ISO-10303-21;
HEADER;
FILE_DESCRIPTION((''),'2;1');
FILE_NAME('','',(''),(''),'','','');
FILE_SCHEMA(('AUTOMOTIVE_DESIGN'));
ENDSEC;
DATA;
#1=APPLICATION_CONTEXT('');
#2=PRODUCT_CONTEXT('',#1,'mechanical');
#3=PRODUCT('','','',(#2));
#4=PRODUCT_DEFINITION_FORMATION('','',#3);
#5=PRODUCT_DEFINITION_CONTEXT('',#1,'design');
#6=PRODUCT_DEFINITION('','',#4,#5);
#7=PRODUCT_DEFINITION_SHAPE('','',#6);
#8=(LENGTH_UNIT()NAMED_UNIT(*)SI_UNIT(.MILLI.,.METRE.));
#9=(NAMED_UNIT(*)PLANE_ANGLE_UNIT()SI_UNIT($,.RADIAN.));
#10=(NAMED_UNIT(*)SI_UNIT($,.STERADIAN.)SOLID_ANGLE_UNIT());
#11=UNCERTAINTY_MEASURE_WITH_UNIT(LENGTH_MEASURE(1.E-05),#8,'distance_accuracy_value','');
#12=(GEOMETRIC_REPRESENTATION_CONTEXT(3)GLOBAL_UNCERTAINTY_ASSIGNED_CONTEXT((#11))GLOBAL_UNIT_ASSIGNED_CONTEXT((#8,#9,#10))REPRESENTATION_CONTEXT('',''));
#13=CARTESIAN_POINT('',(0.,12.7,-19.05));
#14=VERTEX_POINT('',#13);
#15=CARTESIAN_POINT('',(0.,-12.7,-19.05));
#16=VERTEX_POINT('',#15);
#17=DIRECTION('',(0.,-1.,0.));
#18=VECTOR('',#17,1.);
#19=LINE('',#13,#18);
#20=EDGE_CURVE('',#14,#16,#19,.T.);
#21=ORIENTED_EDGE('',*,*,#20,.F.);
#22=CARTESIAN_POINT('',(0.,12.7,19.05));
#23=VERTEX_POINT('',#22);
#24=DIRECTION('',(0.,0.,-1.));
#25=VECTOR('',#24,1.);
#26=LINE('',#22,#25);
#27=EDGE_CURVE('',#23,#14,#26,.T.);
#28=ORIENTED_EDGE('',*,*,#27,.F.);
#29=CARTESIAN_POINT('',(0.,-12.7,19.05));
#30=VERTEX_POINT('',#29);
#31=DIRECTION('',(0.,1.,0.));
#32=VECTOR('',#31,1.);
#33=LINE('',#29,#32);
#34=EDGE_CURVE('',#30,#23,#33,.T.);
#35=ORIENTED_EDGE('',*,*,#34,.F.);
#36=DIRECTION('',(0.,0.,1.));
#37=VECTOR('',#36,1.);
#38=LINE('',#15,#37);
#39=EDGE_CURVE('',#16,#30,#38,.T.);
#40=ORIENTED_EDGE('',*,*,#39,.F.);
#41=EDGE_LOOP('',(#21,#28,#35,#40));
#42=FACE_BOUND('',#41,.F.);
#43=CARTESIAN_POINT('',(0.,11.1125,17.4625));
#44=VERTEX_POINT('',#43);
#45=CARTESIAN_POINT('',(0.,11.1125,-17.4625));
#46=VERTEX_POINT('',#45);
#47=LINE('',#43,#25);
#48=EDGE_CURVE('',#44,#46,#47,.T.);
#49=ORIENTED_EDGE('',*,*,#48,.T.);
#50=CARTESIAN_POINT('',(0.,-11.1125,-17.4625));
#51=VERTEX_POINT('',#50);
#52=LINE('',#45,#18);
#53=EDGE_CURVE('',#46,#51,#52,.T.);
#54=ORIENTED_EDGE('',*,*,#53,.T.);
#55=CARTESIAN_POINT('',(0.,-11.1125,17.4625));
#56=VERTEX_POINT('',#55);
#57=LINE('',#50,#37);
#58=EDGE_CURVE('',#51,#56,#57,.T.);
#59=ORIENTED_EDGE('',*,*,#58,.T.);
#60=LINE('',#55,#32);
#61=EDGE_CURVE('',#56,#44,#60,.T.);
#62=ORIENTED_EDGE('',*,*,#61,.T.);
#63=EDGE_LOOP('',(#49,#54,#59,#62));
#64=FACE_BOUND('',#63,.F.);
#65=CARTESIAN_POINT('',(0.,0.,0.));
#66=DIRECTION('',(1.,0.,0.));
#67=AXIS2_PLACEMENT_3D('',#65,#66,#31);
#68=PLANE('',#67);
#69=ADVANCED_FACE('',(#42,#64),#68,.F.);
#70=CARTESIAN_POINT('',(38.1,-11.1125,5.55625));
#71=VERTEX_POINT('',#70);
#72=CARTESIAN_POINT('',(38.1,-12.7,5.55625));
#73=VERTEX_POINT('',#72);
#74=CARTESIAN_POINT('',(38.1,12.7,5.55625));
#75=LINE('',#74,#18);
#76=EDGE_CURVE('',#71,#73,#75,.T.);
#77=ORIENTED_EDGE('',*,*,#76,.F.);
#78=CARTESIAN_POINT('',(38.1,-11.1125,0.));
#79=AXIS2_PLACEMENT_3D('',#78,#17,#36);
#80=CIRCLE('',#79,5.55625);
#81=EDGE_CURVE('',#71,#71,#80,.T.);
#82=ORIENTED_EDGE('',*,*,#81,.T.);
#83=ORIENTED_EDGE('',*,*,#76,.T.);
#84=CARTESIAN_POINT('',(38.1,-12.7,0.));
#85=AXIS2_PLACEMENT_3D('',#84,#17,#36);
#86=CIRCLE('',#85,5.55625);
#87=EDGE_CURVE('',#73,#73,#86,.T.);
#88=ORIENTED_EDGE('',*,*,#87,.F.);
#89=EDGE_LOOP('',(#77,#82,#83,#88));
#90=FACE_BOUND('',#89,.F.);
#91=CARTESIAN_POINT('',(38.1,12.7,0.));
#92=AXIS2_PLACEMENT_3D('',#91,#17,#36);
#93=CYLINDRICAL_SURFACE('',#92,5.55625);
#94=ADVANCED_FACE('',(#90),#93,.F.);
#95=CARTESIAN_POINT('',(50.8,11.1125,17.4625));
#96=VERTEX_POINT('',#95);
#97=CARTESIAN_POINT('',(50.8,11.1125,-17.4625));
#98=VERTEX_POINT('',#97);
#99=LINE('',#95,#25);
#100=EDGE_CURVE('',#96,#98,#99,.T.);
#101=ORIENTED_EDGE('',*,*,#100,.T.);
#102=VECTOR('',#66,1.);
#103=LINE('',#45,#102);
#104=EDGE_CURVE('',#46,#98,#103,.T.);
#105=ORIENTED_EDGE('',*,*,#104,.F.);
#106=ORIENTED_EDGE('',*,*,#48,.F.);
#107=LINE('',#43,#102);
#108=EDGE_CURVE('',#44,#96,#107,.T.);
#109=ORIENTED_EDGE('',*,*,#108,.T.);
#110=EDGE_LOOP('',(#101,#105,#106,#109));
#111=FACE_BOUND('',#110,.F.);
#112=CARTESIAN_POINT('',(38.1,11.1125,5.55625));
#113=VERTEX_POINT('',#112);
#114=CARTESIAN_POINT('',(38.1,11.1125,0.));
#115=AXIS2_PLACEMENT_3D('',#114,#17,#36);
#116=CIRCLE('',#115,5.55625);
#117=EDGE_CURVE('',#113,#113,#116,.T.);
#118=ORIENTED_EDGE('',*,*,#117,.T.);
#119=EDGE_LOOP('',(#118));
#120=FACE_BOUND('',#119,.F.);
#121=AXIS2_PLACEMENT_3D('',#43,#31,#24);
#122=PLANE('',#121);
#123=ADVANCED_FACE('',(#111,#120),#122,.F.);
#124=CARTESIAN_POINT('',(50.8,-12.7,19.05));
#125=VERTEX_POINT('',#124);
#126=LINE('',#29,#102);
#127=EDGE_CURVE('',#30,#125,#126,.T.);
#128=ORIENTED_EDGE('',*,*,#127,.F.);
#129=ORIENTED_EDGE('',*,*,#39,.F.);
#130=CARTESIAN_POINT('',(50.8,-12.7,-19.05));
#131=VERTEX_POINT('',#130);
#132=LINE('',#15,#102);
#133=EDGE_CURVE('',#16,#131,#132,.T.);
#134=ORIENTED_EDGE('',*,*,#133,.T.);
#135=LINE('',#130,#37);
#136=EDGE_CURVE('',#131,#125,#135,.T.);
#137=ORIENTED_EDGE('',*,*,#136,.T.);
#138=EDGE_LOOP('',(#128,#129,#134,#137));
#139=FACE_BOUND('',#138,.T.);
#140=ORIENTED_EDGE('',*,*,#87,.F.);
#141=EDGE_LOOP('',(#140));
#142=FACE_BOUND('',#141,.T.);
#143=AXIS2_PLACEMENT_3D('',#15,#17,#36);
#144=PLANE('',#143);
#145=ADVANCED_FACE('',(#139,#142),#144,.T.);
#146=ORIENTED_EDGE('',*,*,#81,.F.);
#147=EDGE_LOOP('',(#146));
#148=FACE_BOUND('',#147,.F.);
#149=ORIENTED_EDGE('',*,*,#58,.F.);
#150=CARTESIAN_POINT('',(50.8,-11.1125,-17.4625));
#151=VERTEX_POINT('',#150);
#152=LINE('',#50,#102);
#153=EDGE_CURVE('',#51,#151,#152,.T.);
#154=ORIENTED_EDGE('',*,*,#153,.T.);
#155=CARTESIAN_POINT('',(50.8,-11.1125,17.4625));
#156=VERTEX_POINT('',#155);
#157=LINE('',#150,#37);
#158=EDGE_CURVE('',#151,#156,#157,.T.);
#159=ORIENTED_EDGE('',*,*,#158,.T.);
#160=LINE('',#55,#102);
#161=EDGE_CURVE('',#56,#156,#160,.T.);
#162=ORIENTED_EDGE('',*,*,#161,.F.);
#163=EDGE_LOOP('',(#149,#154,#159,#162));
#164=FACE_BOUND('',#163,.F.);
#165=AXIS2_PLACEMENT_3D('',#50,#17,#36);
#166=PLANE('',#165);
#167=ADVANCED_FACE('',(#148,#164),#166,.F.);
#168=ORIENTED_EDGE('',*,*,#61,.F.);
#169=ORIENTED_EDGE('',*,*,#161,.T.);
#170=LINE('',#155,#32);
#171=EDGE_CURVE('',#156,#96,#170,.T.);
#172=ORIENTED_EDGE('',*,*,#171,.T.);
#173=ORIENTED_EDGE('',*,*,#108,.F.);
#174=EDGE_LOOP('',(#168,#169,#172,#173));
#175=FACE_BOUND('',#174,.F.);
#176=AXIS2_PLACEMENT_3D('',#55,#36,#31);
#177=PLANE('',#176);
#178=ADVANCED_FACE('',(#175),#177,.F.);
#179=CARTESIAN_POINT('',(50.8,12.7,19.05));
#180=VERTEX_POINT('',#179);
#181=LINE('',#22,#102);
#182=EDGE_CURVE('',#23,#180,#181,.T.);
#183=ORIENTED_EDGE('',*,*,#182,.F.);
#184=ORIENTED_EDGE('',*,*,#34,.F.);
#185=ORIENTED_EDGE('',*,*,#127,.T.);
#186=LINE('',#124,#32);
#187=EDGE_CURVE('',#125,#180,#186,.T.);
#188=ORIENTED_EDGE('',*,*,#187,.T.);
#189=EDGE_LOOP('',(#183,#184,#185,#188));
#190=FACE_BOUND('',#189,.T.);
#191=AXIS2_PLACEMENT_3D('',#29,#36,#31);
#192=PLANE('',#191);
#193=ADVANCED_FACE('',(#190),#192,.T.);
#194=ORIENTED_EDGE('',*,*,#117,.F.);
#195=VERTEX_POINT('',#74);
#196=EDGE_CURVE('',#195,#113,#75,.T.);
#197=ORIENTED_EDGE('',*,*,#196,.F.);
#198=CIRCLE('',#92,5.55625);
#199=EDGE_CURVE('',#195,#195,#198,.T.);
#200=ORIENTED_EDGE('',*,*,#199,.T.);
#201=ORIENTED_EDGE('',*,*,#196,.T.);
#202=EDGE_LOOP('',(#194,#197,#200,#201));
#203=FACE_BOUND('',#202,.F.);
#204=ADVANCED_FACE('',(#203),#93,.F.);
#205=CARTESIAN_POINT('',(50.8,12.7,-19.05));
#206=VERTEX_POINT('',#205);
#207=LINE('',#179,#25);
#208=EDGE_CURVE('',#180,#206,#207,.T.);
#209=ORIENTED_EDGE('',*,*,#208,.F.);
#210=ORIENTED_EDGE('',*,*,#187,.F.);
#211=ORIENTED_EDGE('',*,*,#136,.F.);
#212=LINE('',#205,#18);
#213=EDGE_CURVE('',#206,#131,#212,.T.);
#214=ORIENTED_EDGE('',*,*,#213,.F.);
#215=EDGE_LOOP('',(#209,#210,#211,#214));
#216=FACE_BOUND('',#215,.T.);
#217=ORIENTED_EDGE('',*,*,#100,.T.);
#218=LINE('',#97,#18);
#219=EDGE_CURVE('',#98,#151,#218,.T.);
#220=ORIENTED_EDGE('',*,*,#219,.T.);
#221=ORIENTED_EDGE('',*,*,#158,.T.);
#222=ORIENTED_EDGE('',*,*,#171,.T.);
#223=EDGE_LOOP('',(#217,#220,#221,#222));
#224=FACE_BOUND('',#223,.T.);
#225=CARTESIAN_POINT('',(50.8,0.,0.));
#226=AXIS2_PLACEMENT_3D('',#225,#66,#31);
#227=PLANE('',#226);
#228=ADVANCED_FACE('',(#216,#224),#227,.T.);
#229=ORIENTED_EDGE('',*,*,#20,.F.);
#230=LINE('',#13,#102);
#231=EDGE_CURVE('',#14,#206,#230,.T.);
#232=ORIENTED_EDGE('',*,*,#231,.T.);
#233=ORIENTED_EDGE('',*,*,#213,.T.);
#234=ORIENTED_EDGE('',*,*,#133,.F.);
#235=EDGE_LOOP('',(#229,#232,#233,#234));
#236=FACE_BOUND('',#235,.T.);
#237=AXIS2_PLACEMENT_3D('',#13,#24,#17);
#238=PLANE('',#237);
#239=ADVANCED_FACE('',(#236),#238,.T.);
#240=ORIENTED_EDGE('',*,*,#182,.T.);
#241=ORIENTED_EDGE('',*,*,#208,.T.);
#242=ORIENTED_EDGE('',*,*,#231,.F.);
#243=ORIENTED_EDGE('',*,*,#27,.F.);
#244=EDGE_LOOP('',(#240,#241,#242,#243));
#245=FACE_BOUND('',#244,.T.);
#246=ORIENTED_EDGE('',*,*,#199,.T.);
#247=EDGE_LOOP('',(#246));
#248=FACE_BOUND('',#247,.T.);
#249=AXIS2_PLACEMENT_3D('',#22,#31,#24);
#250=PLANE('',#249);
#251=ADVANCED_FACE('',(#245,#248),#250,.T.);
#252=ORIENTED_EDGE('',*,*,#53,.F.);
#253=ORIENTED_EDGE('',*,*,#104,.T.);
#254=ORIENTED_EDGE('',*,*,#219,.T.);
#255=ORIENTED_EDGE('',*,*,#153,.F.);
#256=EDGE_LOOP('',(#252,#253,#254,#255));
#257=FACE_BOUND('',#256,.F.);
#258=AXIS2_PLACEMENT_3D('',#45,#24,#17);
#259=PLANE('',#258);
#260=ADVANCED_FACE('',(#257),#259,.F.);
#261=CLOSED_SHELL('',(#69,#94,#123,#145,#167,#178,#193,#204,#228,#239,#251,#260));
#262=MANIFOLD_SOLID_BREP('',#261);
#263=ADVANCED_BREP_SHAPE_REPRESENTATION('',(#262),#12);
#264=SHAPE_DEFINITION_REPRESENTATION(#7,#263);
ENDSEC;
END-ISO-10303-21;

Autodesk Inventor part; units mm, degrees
ref_plane "Work Plane3" through (0, 12.7, 0) normal (0, 1, 0) x (-1, 0, 0)
ref_plane "Start Plane" through (0, 0, 0) normal (1, 0, 0) x (0, 1, 0)
ref_plane "End Plane" through (50.8, 0, 0) normal (1, 0, 0) x (0, 1, 0)
sketch "Sketch" plane through (0, 0, 0) normal (1, 0, 0) x (0, 1, 0)
  line L0 (-12.7, 19.05) -> (12.7, 19.05)
  line L1 (12.7, 19.05) -> (12.7, -19.05)
  line L2 (12.7, -19.05) -> (-12.7, -19.05)
  line L3 (-12.7, -19.05) -> (-12.7, 19.05)
  line L4 (-12.7, 19.05) -> (12.7, -19.05) construction
  line L5 (12.7, 19.05) -> (-12.7, -19.05) construction
  line L6 (-11.1125, 17.4625) -> (11.1125, 17.4625)
  line L7 (11.1125, 17.4625) -> (11.1125, -17.4625)
  line L8 (11.1125, -17.4625) -> (-11.1125, -17.4625)
  line L9 (-11.1125, -17.4625) -> (-11.1125, 17.4625)
  line L10 (-11.1125, 17.4625) -> (11.1125, -17.4625) construction
  line L11 (11.1125, 17.4625) -> (-11.1125, -17.4625) construction
  point P0 (0, 0)
  dimension "d0" = 38.1
  dimension "d1" = 25.4
  dimension "d2" = 1.5875
  dimension "d3" = 1.5875
extrude "Body" add sketch "Sketch" along normal up to surface (50.8 mm away) from surface at 0
sketch "Sketch8" plane through (0, 0, 0) normal (1, 0, 0) x (0, 1, 0)
  line L0 (0, 0) -> (10, 0)
ref_plane "Work Plane6" through (0, 0, 0) normal (0, 0, -1) x (0, 1, 0)
sketch "Sketch9" plane through (0, 0, 0) normal (0, 0, -1) x (0, 1, 0)
  line L0 (-17.78, 0) -> (17.78, 0)
  line L1 (-17.78, 50.8) -> (17.78, 50.8)
  dimension "d21" = 50.8
sketch "Sketch5" plane through (0, 12.7, -19.05) normal (0, 1, 0) x (1, 0, 0)
  line L0 (0, -38.1) -> (0, 0) projected
  point P0 (0, -19.05)
  point P1 (38.1, -19.05)
  dimension "d22" = 38.1
hole "Hole2" at (38.1, 12.7, 0) direction (0, -1, 0) diameter 11.1125 end through all
equation "\"d3\" = d2"
equation "\"G_OFFSET_START\" = 0"
equation "\"G_OFFSET_END\" = 0"
equation "\"d17\" = d4 + G_OFFSET_END"
equation "\"G_L\" = d21"
equation "\"d4\" = 50.8"
properties part number "1605683004727"
